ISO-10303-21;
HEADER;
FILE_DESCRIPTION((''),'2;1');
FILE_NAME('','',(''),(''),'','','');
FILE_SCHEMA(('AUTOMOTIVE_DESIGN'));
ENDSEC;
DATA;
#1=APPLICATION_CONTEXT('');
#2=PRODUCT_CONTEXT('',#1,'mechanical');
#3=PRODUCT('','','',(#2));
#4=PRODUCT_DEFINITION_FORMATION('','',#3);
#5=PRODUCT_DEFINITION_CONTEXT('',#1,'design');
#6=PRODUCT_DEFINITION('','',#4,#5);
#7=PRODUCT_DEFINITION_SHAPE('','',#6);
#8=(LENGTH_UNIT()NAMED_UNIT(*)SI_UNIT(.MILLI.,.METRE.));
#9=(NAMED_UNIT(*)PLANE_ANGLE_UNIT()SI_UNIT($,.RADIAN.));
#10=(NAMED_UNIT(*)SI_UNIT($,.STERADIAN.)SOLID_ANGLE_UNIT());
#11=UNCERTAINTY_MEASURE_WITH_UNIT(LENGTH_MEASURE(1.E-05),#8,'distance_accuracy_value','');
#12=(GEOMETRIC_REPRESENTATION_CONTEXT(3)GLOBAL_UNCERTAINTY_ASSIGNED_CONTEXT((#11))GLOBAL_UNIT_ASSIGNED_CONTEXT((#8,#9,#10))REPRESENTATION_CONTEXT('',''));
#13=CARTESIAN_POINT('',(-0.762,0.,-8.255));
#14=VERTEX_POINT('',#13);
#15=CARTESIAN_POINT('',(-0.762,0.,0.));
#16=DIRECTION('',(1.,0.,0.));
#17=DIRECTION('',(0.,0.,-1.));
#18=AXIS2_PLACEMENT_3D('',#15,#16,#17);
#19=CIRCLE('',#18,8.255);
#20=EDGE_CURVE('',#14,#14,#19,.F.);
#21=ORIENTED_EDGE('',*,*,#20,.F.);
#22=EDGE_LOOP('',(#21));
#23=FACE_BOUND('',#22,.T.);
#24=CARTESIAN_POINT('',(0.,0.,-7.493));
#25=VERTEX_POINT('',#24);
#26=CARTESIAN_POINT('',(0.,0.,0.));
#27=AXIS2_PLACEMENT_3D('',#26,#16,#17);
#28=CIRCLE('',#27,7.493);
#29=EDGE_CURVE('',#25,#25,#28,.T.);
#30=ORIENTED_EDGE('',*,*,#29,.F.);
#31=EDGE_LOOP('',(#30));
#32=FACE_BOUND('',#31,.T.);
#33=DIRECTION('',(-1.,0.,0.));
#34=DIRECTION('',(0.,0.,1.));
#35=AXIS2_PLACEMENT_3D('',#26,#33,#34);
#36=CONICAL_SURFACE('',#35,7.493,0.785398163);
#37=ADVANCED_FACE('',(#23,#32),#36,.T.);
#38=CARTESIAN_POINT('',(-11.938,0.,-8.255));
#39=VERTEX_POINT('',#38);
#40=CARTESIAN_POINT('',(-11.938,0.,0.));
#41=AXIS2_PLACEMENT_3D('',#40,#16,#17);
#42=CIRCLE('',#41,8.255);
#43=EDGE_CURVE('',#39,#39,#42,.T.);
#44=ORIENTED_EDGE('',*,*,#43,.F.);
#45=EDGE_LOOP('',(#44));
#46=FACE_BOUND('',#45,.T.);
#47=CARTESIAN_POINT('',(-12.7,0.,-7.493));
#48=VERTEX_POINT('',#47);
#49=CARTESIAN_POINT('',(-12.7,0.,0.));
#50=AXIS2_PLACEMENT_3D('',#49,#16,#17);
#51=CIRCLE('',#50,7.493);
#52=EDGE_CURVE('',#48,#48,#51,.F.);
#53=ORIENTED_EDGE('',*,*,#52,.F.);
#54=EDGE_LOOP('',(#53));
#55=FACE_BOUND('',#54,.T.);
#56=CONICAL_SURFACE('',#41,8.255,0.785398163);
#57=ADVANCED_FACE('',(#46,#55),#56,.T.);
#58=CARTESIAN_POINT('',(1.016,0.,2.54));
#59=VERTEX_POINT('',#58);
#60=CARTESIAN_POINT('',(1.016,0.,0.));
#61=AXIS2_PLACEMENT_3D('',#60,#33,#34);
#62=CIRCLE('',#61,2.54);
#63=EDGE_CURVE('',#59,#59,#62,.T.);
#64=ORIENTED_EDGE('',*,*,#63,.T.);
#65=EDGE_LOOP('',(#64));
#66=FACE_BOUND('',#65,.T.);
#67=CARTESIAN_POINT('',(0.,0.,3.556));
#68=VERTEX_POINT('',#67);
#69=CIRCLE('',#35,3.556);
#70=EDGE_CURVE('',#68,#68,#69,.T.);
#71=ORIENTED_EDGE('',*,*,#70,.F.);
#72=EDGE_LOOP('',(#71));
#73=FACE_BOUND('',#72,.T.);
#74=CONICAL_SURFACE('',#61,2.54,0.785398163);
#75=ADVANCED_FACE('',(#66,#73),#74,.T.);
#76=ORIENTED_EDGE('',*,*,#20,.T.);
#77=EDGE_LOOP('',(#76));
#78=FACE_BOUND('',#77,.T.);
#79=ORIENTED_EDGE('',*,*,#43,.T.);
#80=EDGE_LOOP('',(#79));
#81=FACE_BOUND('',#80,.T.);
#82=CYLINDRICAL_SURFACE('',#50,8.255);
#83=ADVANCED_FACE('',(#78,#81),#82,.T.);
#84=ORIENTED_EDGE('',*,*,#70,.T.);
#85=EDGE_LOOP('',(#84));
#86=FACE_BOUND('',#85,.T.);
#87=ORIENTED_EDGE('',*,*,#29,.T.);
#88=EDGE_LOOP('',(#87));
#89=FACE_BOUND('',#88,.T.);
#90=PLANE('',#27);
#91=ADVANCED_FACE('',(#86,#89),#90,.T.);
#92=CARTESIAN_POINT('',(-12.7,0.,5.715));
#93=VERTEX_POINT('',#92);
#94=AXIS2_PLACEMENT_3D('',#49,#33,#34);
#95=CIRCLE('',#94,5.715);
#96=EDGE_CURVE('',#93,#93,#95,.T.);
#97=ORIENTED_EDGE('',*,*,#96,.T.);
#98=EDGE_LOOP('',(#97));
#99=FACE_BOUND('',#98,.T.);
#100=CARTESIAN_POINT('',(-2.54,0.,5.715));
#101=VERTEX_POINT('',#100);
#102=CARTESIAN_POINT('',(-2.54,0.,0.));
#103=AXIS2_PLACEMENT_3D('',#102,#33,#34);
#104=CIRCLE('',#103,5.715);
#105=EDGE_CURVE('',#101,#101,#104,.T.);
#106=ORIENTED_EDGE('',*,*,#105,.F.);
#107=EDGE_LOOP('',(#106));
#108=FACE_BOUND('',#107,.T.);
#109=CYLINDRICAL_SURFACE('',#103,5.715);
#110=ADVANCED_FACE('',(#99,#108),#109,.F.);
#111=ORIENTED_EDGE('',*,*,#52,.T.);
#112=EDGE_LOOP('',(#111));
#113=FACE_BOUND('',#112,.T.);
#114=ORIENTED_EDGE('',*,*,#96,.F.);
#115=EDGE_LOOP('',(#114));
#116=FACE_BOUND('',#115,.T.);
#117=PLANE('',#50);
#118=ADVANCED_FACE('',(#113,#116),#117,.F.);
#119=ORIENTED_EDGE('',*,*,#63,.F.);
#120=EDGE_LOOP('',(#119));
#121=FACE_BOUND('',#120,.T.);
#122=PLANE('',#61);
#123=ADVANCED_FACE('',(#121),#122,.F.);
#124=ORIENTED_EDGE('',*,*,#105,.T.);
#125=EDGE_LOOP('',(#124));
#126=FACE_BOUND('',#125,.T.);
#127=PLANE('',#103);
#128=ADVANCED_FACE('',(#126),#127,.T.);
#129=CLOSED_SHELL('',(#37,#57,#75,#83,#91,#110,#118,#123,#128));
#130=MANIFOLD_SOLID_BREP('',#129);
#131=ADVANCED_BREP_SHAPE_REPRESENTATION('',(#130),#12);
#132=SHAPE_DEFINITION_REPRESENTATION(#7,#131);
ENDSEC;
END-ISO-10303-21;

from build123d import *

# Parameters (mm, degrees)
SKETCH1_R           = 8.255
BOSS_EXTRUDE1_DEPTH = 12.7
SKETCH2_R           = 5.715
CUT_EXTRUDE1_DEPTH  = 10.16
CHAMFER1_SIZE       = 0.762


with BuildPart() as part:
    # Sketch1 → Boss-Extrude1 (new body)
    with BuildSketch(Plane(origin=(0, 0, 0), x_dir=(0, 0, -1), z_dir=(1, 0, 0))):
        Circle(SKETCH1_R)
    extrude(amount=-BOSS_EXTRUDE1_DEPTH)

    # Sketch2 → Cut-Extrude1 (cut)
    with BuildSketch(Plane.ZY.offset(12.7)):
        Circle(SKETCH2_R)
    extrude(amount=-CUT_EXTRUDE1_DEPTH, mode=Mode.SUBTRACT)

    # Chamfer1
    chamfer1_edges = [part.edges().sort_by_distance(p)[0] for p in [
        (0, 0, 8.255),
        (-12.7, 0, 8.255),
    ]]
    chamfer(chamfer1_edges, length=CHAMFER1_SIZE)

    # Sketch3 → Revolve1 (revolve)
    with BuildSketch(Plane(origin=(0, 0, 0), x_dir=(1, 0, 0), z_dir=(0, 1, 0))):
        Polygon((0, 0), (1.016, 0), (1.016, 2.54), (0, 3.556), align=None)
    revolve(axis=Axis((-11.938, 0, 0), (1, 0, 0)))


solid = part.part
